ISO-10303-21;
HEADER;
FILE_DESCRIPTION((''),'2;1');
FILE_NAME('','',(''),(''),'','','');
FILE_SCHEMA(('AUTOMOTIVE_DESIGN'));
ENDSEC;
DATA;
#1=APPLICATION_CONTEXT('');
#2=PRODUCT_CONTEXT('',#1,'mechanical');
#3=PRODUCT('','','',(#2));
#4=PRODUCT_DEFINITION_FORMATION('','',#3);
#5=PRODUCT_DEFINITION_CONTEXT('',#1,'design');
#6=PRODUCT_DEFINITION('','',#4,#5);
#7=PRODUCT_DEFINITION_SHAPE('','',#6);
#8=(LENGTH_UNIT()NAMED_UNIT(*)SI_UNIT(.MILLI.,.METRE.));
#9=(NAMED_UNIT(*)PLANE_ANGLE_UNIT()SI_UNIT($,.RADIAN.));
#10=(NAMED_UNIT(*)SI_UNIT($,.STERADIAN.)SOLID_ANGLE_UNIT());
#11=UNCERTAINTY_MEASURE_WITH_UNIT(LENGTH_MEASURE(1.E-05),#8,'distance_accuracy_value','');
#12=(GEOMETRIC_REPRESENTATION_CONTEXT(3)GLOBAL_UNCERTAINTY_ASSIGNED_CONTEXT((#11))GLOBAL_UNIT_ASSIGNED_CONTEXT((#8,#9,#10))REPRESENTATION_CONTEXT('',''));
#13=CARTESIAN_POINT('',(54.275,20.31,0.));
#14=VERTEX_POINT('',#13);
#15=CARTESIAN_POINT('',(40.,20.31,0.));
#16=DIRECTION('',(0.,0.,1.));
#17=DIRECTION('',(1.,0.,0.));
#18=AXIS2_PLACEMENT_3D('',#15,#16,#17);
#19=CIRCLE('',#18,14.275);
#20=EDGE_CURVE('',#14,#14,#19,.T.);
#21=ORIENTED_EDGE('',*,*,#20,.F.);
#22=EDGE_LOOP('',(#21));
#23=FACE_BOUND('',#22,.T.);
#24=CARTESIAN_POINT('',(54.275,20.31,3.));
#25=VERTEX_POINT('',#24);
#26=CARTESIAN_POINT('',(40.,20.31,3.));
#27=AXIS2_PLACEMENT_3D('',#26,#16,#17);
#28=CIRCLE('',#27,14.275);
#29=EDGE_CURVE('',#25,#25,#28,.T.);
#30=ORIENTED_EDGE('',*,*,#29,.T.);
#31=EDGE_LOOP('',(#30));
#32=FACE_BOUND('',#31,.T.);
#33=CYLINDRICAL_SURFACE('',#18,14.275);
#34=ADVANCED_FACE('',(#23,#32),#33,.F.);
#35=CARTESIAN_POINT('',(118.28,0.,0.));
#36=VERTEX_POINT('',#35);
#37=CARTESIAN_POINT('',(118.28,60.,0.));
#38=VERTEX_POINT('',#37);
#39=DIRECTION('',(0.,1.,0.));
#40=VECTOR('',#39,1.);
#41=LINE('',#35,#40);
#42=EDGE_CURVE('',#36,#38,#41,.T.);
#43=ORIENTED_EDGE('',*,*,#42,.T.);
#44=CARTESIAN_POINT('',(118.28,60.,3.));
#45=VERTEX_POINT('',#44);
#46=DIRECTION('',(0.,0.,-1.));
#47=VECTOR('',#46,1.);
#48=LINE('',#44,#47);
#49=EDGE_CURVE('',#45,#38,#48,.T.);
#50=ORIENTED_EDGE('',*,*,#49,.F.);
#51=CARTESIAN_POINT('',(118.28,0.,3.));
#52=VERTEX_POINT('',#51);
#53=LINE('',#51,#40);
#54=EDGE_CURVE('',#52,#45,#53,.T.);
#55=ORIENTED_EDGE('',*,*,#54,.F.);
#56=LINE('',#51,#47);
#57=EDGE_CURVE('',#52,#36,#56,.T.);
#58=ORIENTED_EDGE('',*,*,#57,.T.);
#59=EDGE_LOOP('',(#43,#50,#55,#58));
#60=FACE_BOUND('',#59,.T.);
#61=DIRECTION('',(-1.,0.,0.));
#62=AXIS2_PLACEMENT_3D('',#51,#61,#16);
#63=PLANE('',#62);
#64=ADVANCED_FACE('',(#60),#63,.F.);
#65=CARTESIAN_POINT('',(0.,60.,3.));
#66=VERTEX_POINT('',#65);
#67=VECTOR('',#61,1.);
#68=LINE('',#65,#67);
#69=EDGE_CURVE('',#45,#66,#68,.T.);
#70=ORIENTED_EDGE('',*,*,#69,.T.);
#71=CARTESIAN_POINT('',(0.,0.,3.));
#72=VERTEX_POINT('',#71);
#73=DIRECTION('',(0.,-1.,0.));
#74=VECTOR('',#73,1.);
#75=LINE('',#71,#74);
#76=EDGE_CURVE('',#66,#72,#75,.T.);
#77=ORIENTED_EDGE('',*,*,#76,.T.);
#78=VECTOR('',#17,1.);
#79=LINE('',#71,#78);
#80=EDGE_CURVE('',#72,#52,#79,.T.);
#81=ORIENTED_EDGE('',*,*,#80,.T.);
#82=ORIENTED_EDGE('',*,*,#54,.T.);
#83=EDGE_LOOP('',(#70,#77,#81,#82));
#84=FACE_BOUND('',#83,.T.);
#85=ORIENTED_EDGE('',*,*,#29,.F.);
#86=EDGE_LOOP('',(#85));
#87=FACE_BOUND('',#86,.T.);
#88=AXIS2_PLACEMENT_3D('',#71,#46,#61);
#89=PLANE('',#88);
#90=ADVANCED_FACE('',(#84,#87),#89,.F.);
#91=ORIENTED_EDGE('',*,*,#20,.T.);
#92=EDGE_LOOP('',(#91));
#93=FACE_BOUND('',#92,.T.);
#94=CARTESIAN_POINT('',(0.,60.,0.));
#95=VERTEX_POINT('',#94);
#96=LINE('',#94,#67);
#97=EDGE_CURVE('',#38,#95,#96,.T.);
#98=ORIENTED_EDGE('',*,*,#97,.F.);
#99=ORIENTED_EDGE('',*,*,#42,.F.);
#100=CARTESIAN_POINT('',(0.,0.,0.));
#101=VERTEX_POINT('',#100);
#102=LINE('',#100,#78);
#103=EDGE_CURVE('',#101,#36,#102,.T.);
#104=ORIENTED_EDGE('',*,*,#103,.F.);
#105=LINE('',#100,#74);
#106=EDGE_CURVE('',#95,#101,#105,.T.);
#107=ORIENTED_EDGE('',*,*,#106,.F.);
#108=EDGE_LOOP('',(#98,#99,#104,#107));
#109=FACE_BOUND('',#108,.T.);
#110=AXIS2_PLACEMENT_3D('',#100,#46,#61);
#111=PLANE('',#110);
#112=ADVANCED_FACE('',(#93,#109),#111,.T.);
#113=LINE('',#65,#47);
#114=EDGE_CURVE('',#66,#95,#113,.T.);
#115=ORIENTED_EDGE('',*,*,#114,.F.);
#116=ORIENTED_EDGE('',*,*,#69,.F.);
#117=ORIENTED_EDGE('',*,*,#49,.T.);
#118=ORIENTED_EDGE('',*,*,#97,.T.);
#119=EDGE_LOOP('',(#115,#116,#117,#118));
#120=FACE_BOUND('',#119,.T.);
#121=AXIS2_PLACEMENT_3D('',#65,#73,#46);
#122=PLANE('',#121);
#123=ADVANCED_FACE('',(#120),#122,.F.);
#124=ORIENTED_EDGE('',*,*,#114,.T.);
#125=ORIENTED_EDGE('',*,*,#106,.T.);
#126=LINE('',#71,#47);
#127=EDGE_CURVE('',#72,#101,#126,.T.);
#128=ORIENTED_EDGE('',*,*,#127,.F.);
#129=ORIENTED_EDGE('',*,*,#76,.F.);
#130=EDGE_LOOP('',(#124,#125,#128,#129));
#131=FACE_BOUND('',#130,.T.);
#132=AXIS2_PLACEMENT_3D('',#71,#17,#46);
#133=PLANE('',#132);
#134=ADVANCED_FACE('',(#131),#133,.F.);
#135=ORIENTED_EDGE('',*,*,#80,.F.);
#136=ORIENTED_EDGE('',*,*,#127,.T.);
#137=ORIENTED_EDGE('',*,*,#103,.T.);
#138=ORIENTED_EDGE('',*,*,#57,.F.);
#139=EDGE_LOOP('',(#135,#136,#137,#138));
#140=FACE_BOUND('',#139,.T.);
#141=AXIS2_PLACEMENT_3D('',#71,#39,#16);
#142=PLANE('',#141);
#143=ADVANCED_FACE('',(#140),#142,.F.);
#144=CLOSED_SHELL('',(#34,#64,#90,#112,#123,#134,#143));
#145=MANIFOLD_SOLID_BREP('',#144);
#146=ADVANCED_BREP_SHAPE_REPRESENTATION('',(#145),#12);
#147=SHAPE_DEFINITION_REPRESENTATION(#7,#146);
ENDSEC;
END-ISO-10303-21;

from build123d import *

# Parameters (mm, degrees)
SKETCH1_W           = 118.28
SKETCH1_H           = 60
BOSS_EXTRUDE1_DEPTH = 3
SKETCH2_R           = 14.275
CUT_EXTRUDE1_DEPTH  = 3


with BuildPart() as part:
    # Sketch1 → Boss-Extrude1 (new body)
    with BuildSketch(Plane.XY):
        with Locations((59.14, 30)):
            Rectangle(SKETCH1_W, SKETCH1_H)
    extrude(amount=BOSS_EXTRUDE1_DEPTH)

    # Sketch2 → Cut-Extrude1 (cut)
    with BuildSketch(Plane.XY.offset(3)):
        with Locations((40, 20.31)):
            Circle(SKETCH2_R)
    extrude(amount=-CUT_EXTRUDE1_DEPTH, mode=Mode.SUBTRACT)


solid = part.part
